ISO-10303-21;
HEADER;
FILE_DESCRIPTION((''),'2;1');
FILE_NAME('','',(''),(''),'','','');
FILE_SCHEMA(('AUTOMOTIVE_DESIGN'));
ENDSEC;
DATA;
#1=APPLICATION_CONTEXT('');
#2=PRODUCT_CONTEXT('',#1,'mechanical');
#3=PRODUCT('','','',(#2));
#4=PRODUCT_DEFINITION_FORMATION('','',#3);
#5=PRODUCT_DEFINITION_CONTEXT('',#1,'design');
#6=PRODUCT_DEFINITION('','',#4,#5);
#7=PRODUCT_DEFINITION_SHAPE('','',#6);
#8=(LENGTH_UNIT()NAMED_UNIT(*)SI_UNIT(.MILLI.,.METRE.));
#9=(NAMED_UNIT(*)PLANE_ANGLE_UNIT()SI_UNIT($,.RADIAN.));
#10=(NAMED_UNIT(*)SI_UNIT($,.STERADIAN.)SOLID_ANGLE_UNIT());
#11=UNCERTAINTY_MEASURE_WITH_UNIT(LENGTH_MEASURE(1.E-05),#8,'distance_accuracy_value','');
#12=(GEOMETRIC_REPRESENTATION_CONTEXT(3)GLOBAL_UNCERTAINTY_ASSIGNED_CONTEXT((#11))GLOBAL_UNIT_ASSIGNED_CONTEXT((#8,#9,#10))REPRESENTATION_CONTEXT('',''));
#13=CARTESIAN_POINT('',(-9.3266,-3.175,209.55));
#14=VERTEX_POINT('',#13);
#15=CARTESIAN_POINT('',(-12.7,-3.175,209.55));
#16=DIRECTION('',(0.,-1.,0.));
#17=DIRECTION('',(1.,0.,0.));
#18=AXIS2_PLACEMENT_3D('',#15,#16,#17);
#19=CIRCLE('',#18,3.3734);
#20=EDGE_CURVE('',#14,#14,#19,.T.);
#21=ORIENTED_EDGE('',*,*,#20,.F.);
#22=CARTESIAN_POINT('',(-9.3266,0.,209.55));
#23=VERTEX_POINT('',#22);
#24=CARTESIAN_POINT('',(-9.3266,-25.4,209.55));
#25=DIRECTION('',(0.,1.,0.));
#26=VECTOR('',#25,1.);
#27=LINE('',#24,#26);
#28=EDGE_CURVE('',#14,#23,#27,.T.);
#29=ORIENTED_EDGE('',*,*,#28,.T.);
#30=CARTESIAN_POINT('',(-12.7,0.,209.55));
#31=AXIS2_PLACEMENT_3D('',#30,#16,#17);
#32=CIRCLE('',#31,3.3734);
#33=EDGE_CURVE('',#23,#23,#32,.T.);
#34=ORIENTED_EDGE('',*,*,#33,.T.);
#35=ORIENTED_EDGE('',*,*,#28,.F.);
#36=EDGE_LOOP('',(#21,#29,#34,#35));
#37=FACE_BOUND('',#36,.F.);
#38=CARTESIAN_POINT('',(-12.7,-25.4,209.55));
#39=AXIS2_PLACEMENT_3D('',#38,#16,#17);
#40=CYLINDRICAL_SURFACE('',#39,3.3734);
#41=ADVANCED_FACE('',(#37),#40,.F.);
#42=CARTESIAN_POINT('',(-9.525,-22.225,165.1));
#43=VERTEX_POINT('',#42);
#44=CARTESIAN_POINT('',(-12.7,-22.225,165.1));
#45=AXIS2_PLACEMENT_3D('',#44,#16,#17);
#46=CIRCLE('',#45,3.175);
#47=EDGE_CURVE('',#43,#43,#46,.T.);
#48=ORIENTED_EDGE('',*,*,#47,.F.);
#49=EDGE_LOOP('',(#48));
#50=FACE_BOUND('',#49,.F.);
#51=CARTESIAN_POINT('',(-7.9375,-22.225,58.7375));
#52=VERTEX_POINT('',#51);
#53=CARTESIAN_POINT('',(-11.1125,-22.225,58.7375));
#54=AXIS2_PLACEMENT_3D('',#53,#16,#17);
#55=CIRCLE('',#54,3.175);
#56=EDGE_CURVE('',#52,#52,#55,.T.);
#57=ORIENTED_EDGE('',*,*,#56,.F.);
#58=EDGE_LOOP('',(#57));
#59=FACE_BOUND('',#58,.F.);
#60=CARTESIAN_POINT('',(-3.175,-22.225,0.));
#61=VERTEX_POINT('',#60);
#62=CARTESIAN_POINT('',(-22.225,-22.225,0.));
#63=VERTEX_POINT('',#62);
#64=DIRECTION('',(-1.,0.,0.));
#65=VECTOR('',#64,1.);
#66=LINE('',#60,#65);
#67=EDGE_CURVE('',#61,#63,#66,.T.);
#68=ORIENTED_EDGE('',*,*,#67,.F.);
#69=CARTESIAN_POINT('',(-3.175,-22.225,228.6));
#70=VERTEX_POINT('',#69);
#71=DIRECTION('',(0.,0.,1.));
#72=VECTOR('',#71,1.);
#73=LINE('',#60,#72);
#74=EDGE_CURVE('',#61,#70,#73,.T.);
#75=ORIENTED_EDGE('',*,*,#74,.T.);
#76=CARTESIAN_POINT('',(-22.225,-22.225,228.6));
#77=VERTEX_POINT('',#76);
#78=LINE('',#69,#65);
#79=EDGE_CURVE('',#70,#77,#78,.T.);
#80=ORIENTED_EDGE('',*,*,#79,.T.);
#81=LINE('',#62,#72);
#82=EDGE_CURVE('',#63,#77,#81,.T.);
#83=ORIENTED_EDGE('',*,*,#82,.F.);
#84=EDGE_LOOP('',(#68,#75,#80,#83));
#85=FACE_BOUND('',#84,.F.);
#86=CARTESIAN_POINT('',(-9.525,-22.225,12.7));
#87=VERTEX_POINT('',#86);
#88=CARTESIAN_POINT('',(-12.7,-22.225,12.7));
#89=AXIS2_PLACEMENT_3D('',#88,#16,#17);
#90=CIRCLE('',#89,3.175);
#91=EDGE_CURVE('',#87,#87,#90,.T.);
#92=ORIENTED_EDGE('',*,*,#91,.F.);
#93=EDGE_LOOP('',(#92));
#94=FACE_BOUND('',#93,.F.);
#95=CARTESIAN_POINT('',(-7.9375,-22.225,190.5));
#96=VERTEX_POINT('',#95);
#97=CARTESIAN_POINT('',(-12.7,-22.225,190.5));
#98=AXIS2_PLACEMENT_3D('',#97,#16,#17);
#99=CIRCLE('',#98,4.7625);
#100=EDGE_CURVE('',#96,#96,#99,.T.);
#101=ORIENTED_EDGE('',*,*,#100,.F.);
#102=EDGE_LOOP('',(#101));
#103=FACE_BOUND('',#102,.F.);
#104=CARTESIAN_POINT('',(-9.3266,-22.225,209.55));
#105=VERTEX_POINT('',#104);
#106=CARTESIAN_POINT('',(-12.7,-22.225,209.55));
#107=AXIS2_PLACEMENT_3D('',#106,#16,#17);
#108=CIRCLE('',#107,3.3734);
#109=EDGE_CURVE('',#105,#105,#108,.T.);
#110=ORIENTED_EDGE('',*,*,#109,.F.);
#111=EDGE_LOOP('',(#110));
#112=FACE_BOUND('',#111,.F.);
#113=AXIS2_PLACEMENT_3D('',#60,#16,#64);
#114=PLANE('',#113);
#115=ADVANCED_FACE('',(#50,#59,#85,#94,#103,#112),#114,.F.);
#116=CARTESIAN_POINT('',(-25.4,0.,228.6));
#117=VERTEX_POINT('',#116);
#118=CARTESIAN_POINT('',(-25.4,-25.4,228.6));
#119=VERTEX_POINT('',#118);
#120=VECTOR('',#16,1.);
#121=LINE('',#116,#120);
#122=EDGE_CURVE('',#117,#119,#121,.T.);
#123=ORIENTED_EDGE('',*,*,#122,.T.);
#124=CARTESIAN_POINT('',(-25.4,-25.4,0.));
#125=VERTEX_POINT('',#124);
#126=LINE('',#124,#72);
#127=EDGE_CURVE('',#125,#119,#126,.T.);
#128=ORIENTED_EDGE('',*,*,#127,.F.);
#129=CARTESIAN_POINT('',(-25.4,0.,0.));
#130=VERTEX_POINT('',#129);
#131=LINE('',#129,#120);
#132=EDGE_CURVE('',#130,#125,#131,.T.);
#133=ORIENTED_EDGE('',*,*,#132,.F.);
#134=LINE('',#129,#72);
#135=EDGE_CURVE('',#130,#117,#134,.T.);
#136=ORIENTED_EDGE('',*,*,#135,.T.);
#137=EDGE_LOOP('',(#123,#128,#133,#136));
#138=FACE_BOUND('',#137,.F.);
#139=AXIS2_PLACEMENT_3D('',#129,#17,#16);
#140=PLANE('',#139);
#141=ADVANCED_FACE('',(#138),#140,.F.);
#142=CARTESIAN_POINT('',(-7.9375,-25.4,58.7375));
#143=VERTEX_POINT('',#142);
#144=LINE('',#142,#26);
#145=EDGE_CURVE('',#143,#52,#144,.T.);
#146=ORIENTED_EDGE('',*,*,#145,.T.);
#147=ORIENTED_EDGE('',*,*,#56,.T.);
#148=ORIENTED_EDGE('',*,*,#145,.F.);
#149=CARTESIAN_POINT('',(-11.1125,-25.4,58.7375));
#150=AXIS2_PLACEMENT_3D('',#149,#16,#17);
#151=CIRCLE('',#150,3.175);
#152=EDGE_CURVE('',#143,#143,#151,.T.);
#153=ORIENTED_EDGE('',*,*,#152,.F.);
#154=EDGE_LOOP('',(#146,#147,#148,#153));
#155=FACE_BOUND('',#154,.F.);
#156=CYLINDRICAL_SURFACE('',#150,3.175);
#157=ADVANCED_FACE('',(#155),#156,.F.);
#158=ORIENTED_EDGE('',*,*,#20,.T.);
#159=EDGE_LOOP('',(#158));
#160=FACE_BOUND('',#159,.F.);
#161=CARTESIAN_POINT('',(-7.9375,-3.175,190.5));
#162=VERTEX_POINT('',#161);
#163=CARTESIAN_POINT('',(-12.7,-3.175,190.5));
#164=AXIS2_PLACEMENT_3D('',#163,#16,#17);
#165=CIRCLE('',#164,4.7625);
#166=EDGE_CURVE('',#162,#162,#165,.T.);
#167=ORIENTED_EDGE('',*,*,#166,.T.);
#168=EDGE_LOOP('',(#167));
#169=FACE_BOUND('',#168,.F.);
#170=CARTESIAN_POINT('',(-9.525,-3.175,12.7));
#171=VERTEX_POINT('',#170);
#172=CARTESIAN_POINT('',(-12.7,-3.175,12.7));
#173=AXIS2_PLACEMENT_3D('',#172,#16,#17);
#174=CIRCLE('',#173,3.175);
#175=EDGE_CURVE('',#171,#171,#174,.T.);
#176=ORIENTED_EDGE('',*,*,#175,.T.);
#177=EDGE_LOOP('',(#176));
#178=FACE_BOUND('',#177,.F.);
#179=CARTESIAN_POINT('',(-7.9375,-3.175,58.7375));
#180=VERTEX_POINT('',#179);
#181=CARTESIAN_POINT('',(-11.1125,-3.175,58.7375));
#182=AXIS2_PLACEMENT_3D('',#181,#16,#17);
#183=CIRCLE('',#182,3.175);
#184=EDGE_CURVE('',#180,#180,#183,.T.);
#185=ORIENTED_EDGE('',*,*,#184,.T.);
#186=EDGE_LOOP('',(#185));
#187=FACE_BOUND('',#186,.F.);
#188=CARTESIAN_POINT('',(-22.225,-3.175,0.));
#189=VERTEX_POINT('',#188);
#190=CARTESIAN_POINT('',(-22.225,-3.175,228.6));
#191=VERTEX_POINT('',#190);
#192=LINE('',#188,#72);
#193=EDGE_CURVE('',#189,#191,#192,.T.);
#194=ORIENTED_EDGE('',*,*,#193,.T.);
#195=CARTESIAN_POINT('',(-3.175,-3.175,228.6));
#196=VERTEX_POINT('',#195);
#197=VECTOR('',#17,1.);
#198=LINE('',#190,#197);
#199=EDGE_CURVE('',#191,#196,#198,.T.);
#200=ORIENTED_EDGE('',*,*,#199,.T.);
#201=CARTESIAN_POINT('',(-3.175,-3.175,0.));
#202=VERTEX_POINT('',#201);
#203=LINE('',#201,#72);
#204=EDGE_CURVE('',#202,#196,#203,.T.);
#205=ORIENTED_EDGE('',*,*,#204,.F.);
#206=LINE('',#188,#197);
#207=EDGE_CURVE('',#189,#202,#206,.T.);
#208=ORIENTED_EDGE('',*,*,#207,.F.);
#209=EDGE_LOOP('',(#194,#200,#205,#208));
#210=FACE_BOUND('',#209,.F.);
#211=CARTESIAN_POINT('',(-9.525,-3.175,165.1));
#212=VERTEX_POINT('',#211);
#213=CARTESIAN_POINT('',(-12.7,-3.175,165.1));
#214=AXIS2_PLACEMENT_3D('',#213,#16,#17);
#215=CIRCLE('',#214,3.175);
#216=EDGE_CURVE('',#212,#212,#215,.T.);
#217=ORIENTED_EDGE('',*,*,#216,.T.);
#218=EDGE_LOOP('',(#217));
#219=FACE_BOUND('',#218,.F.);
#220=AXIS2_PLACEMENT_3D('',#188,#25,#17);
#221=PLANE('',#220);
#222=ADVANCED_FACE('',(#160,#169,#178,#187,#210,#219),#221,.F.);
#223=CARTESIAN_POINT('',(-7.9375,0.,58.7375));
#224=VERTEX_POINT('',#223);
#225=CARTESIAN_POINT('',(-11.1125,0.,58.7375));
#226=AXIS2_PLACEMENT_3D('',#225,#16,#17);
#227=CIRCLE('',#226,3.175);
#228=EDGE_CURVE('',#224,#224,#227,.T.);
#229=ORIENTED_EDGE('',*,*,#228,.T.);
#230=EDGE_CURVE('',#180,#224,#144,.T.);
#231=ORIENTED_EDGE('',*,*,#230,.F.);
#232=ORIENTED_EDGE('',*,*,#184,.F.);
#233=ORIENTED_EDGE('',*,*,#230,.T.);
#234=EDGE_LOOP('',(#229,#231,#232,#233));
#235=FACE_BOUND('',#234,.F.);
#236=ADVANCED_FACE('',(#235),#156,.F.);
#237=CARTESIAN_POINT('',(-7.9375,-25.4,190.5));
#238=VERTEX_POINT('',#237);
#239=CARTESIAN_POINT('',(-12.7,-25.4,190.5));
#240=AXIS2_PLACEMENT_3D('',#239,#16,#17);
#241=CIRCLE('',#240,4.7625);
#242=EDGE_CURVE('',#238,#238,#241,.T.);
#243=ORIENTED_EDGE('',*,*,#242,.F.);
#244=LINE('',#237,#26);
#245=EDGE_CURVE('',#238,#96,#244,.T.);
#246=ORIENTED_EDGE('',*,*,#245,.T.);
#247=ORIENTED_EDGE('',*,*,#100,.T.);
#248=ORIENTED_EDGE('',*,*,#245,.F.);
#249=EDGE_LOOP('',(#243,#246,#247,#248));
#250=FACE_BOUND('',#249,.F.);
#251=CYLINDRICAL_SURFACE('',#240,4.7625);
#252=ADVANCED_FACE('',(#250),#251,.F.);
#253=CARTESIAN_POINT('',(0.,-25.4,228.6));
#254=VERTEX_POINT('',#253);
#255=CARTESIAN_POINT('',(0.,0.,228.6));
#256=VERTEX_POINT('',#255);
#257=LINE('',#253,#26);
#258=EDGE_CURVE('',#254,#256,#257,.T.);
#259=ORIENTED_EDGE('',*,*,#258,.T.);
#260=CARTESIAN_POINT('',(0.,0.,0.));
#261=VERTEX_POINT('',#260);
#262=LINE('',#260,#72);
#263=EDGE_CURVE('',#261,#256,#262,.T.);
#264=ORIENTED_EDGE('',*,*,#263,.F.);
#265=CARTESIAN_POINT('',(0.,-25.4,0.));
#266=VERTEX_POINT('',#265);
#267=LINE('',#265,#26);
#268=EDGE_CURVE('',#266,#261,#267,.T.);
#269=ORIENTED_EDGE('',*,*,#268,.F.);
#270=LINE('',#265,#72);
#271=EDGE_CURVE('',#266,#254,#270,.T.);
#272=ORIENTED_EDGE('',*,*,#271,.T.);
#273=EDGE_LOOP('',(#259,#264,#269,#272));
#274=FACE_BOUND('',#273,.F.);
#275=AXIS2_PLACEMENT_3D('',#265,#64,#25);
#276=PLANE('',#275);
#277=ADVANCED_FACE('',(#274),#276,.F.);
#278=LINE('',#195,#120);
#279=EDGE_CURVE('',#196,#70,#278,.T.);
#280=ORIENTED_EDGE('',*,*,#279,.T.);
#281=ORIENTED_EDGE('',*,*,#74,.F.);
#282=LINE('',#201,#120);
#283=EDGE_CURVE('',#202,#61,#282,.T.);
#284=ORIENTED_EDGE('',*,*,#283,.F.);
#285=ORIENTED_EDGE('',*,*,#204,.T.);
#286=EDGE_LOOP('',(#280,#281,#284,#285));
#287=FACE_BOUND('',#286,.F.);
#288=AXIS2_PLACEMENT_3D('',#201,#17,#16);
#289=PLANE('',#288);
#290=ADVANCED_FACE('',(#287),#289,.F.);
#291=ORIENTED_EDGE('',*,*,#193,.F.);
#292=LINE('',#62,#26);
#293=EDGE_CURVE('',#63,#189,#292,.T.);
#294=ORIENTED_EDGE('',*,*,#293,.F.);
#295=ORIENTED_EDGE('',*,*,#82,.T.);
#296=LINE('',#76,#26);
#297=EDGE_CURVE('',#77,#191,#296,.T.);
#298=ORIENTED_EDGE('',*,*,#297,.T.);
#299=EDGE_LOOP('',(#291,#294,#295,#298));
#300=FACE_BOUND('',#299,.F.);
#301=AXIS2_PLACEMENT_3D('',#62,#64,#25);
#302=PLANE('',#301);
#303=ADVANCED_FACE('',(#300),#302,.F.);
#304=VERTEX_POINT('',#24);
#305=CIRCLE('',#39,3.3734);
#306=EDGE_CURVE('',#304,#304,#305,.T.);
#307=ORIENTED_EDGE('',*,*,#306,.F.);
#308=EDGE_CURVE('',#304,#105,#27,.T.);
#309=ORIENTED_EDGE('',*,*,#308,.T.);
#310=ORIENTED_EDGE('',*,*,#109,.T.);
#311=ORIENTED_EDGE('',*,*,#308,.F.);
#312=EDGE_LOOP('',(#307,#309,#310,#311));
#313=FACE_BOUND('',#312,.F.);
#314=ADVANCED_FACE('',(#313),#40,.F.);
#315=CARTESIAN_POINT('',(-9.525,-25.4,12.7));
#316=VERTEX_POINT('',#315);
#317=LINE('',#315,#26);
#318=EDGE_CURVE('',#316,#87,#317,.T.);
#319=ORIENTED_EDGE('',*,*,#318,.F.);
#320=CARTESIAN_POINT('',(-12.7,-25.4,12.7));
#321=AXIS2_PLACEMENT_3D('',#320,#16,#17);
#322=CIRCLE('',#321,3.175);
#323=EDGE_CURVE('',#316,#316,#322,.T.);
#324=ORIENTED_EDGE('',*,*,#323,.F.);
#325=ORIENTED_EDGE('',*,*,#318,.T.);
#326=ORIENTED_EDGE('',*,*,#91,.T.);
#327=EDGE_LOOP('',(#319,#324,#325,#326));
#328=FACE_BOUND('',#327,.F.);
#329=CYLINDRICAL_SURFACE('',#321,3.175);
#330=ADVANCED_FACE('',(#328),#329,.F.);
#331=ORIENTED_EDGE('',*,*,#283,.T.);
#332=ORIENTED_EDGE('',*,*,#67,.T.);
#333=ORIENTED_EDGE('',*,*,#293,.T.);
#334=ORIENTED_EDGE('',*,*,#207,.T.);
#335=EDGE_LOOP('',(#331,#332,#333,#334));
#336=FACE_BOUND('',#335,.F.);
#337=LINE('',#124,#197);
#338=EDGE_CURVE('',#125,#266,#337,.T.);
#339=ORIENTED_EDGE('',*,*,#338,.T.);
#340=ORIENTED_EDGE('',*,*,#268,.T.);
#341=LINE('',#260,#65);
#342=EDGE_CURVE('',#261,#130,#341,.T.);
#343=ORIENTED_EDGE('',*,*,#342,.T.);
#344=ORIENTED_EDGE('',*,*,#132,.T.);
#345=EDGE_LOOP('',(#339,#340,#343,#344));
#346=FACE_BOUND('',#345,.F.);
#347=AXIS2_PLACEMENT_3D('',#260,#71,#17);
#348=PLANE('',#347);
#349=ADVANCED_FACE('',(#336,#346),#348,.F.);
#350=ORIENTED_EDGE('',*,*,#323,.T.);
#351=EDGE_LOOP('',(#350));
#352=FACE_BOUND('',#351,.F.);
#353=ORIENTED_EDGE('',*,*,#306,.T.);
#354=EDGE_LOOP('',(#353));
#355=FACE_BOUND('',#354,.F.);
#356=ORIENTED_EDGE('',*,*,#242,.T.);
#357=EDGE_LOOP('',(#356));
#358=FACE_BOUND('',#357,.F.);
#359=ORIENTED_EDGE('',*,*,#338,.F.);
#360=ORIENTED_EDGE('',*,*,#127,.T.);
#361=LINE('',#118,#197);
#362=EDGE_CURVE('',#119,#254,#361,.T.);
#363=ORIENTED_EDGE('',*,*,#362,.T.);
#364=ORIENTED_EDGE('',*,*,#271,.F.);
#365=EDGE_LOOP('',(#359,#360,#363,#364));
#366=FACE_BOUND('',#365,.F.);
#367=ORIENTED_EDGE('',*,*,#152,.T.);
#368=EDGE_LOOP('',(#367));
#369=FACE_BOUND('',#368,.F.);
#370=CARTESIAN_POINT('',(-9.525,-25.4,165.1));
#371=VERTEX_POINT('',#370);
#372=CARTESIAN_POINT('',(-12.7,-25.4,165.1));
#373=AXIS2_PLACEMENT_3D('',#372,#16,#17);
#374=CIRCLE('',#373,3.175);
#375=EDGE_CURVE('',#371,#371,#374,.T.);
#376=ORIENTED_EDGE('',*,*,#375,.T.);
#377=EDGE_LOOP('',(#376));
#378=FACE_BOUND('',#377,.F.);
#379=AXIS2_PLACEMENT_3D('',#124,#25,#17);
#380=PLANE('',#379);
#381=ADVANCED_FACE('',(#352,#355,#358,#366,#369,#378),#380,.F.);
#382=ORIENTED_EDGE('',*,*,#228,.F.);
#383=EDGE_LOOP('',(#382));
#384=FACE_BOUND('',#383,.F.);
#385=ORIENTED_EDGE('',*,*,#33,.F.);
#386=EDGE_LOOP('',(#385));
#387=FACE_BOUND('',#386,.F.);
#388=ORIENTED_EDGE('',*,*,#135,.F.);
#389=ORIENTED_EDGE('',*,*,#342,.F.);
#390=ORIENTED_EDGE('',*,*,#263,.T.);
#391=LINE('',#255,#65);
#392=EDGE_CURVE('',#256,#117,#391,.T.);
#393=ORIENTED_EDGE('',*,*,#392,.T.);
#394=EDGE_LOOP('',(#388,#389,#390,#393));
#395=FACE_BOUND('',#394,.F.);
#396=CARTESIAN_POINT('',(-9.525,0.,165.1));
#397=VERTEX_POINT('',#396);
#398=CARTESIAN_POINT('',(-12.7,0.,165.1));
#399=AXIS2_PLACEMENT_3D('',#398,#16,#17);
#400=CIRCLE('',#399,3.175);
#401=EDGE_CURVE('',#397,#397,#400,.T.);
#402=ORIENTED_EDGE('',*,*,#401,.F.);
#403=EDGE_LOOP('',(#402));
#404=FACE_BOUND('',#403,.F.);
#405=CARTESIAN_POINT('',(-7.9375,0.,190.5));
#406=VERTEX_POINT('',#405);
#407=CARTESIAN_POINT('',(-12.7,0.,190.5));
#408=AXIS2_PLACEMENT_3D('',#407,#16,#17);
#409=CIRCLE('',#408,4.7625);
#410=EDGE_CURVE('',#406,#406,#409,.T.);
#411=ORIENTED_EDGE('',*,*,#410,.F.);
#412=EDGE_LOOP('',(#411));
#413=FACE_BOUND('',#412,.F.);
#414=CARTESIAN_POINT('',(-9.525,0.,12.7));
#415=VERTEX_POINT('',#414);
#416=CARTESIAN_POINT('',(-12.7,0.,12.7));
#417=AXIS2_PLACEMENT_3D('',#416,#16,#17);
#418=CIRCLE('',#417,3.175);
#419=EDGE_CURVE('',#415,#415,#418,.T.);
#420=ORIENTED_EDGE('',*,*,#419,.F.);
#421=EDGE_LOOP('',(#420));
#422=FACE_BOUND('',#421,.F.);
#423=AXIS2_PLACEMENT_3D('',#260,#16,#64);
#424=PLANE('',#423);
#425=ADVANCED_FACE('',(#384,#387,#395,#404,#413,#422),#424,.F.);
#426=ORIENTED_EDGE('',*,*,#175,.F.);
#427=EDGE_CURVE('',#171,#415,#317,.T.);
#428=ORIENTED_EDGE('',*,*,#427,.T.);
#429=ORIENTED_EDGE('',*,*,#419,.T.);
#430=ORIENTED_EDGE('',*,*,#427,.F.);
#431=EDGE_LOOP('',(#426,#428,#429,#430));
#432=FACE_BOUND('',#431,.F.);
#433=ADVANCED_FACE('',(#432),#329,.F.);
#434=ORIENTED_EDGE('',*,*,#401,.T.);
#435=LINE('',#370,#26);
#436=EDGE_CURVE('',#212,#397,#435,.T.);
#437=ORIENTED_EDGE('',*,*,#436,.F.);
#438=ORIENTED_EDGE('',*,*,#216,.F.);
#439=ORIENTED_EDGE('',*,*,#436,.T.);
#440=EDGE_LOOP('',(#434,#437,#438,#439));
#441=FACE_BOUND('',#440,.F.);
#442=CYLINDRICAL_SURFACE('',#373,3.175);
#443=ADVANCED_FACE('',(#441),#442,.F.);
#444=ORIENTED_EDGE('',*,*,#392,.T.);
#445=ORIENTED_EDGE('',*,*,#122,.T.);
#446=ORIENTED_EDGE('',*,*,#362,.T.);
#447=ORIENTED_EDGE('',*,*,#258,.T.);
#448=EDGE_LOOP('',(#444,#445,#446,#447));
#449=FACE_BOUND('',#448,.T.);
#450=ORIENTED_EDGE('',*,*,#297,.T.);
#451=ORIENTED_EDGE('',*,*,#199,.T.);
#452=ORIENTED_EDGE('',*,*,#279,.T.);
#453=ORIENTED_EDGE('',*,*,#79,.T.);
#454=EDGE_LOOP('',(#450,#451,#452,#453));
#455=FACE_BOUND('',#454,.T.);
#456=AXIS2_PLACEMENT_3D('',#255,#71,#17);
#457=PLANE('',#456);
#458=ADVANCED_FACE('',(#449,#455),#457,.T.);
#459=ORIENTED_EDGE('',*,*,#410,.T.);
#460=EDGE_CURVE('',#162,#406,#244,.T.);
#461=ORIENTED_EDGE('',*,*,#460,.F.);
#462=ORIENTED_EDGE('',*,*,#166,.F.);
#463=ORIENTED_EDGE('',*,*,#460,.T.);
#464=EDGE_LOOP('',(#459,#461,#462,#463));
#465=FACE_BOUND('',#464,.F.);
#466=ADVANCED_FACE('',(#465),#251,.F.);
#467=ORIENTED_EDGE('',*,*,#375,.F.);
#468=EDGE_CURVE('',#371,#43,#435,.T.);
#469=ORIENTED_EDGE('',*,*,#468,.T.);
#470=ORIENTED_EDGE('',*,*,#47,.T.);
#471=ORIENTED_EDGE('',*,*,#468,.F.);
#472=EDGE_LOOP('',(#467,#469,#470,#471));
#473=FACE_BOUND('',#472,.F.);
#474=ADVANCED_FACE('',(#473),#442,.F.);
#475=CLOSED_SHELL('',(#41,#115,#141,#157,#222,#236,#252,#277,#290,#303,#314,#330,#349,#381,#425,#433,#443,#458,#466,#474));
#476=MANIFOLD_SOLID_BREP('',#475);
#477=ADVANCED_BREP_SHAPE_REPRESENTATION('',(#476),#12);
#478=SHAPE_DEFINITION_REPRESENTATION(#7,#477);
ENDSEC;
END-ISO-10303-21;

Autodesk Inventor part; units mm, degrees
ref_plane "YZ Plane" through (0, 0, 0) normal (1, 0, 0) x (0, 1, 0)
ref_plane "XZ Plane" through (0, 0, 0) normal (0, 1, 0) x (-1, 0, 0)
ref_plane "XY Plane" through (0, 0, 0) normal (0, 0, 1) x (1, 0, 0)
sketch "Sketch1" plane through (0, 0, 0) normal (0, 0, 1) x (1, 0, 0)
  line L0 (0, 0) -> (-25.4, 0)
  line L1 (-25.4, 0) -> (-25.4, -25.4)
  line L2 (-25.4, -25.4) -> (0, -25.4)
  line L3 (0, -25.4) -> (0, 0)
  line L4 (-3.175, -22.225) -> (-22.225, -22.225)
  line L5 (-22.225, -22.225) -> (-22.225, -3.175)
  line L6 (-22.225, -3.175) -> (-3.175, -3.175)
  line L7 (-3.175, -3.175) -> (-3.175, -22.225)
  dimension "d0" = 25.4
  dimension "d1" = 25.4
  dimension "d2" = 3.175
extrude "Extrusion1" add sketch "Sketch1" along normal blind 228.6
sketch "Sketch2" plane through (-25.4, -25.4, 0) normal (0, -1, 0) x (1, 0, 0)
  circle A0 centre (12.7, 190.5) radius 4.7625
  line L0 (0, 228.6) -> (25.4, 228.6) projected
  line L1 (0, 0) -> (0, 228.6) projected
  circle A1 centre (12.7, 12.7) radius 3.175
  circle A2 centre (14.2875, 58.7375) radius 3.175
  line L2 (0, 0) -> (25.4, 0) projected
  circle A3 centre (12.7, 209.55) radius 3.3734
  line L3 (25.4, 0) -> (25.4, 228.6) projected
  circle A4 centre (12.7, 165.1) radius 3.175
  dimension "d5" = 9.525
  dimension "d6" = 38.1
  dimension "d7" = 12.7
  dimension "d10" = 6.35
  dimension "d11" = 12.7
  dimension "d13" = 14.2875
  dimension "d14" = 12.7
  dimension "d15" = 58.7375
  dimension "d16" = 6.7469
  dimension "d17" = 12.7
  dimension "d18" = 19.05
  dimension "d19" = 6.35
  dimension "d20" = 63.5
  dimension "d21" = 12.7
extrude "Extrusion2" cut sketch "Sketch2" against normal blind 152.4 contours A0 | A1 | A2 | A3 | A4
properties part number "15102898-16-A-0205" material "Aluminum 6061"
